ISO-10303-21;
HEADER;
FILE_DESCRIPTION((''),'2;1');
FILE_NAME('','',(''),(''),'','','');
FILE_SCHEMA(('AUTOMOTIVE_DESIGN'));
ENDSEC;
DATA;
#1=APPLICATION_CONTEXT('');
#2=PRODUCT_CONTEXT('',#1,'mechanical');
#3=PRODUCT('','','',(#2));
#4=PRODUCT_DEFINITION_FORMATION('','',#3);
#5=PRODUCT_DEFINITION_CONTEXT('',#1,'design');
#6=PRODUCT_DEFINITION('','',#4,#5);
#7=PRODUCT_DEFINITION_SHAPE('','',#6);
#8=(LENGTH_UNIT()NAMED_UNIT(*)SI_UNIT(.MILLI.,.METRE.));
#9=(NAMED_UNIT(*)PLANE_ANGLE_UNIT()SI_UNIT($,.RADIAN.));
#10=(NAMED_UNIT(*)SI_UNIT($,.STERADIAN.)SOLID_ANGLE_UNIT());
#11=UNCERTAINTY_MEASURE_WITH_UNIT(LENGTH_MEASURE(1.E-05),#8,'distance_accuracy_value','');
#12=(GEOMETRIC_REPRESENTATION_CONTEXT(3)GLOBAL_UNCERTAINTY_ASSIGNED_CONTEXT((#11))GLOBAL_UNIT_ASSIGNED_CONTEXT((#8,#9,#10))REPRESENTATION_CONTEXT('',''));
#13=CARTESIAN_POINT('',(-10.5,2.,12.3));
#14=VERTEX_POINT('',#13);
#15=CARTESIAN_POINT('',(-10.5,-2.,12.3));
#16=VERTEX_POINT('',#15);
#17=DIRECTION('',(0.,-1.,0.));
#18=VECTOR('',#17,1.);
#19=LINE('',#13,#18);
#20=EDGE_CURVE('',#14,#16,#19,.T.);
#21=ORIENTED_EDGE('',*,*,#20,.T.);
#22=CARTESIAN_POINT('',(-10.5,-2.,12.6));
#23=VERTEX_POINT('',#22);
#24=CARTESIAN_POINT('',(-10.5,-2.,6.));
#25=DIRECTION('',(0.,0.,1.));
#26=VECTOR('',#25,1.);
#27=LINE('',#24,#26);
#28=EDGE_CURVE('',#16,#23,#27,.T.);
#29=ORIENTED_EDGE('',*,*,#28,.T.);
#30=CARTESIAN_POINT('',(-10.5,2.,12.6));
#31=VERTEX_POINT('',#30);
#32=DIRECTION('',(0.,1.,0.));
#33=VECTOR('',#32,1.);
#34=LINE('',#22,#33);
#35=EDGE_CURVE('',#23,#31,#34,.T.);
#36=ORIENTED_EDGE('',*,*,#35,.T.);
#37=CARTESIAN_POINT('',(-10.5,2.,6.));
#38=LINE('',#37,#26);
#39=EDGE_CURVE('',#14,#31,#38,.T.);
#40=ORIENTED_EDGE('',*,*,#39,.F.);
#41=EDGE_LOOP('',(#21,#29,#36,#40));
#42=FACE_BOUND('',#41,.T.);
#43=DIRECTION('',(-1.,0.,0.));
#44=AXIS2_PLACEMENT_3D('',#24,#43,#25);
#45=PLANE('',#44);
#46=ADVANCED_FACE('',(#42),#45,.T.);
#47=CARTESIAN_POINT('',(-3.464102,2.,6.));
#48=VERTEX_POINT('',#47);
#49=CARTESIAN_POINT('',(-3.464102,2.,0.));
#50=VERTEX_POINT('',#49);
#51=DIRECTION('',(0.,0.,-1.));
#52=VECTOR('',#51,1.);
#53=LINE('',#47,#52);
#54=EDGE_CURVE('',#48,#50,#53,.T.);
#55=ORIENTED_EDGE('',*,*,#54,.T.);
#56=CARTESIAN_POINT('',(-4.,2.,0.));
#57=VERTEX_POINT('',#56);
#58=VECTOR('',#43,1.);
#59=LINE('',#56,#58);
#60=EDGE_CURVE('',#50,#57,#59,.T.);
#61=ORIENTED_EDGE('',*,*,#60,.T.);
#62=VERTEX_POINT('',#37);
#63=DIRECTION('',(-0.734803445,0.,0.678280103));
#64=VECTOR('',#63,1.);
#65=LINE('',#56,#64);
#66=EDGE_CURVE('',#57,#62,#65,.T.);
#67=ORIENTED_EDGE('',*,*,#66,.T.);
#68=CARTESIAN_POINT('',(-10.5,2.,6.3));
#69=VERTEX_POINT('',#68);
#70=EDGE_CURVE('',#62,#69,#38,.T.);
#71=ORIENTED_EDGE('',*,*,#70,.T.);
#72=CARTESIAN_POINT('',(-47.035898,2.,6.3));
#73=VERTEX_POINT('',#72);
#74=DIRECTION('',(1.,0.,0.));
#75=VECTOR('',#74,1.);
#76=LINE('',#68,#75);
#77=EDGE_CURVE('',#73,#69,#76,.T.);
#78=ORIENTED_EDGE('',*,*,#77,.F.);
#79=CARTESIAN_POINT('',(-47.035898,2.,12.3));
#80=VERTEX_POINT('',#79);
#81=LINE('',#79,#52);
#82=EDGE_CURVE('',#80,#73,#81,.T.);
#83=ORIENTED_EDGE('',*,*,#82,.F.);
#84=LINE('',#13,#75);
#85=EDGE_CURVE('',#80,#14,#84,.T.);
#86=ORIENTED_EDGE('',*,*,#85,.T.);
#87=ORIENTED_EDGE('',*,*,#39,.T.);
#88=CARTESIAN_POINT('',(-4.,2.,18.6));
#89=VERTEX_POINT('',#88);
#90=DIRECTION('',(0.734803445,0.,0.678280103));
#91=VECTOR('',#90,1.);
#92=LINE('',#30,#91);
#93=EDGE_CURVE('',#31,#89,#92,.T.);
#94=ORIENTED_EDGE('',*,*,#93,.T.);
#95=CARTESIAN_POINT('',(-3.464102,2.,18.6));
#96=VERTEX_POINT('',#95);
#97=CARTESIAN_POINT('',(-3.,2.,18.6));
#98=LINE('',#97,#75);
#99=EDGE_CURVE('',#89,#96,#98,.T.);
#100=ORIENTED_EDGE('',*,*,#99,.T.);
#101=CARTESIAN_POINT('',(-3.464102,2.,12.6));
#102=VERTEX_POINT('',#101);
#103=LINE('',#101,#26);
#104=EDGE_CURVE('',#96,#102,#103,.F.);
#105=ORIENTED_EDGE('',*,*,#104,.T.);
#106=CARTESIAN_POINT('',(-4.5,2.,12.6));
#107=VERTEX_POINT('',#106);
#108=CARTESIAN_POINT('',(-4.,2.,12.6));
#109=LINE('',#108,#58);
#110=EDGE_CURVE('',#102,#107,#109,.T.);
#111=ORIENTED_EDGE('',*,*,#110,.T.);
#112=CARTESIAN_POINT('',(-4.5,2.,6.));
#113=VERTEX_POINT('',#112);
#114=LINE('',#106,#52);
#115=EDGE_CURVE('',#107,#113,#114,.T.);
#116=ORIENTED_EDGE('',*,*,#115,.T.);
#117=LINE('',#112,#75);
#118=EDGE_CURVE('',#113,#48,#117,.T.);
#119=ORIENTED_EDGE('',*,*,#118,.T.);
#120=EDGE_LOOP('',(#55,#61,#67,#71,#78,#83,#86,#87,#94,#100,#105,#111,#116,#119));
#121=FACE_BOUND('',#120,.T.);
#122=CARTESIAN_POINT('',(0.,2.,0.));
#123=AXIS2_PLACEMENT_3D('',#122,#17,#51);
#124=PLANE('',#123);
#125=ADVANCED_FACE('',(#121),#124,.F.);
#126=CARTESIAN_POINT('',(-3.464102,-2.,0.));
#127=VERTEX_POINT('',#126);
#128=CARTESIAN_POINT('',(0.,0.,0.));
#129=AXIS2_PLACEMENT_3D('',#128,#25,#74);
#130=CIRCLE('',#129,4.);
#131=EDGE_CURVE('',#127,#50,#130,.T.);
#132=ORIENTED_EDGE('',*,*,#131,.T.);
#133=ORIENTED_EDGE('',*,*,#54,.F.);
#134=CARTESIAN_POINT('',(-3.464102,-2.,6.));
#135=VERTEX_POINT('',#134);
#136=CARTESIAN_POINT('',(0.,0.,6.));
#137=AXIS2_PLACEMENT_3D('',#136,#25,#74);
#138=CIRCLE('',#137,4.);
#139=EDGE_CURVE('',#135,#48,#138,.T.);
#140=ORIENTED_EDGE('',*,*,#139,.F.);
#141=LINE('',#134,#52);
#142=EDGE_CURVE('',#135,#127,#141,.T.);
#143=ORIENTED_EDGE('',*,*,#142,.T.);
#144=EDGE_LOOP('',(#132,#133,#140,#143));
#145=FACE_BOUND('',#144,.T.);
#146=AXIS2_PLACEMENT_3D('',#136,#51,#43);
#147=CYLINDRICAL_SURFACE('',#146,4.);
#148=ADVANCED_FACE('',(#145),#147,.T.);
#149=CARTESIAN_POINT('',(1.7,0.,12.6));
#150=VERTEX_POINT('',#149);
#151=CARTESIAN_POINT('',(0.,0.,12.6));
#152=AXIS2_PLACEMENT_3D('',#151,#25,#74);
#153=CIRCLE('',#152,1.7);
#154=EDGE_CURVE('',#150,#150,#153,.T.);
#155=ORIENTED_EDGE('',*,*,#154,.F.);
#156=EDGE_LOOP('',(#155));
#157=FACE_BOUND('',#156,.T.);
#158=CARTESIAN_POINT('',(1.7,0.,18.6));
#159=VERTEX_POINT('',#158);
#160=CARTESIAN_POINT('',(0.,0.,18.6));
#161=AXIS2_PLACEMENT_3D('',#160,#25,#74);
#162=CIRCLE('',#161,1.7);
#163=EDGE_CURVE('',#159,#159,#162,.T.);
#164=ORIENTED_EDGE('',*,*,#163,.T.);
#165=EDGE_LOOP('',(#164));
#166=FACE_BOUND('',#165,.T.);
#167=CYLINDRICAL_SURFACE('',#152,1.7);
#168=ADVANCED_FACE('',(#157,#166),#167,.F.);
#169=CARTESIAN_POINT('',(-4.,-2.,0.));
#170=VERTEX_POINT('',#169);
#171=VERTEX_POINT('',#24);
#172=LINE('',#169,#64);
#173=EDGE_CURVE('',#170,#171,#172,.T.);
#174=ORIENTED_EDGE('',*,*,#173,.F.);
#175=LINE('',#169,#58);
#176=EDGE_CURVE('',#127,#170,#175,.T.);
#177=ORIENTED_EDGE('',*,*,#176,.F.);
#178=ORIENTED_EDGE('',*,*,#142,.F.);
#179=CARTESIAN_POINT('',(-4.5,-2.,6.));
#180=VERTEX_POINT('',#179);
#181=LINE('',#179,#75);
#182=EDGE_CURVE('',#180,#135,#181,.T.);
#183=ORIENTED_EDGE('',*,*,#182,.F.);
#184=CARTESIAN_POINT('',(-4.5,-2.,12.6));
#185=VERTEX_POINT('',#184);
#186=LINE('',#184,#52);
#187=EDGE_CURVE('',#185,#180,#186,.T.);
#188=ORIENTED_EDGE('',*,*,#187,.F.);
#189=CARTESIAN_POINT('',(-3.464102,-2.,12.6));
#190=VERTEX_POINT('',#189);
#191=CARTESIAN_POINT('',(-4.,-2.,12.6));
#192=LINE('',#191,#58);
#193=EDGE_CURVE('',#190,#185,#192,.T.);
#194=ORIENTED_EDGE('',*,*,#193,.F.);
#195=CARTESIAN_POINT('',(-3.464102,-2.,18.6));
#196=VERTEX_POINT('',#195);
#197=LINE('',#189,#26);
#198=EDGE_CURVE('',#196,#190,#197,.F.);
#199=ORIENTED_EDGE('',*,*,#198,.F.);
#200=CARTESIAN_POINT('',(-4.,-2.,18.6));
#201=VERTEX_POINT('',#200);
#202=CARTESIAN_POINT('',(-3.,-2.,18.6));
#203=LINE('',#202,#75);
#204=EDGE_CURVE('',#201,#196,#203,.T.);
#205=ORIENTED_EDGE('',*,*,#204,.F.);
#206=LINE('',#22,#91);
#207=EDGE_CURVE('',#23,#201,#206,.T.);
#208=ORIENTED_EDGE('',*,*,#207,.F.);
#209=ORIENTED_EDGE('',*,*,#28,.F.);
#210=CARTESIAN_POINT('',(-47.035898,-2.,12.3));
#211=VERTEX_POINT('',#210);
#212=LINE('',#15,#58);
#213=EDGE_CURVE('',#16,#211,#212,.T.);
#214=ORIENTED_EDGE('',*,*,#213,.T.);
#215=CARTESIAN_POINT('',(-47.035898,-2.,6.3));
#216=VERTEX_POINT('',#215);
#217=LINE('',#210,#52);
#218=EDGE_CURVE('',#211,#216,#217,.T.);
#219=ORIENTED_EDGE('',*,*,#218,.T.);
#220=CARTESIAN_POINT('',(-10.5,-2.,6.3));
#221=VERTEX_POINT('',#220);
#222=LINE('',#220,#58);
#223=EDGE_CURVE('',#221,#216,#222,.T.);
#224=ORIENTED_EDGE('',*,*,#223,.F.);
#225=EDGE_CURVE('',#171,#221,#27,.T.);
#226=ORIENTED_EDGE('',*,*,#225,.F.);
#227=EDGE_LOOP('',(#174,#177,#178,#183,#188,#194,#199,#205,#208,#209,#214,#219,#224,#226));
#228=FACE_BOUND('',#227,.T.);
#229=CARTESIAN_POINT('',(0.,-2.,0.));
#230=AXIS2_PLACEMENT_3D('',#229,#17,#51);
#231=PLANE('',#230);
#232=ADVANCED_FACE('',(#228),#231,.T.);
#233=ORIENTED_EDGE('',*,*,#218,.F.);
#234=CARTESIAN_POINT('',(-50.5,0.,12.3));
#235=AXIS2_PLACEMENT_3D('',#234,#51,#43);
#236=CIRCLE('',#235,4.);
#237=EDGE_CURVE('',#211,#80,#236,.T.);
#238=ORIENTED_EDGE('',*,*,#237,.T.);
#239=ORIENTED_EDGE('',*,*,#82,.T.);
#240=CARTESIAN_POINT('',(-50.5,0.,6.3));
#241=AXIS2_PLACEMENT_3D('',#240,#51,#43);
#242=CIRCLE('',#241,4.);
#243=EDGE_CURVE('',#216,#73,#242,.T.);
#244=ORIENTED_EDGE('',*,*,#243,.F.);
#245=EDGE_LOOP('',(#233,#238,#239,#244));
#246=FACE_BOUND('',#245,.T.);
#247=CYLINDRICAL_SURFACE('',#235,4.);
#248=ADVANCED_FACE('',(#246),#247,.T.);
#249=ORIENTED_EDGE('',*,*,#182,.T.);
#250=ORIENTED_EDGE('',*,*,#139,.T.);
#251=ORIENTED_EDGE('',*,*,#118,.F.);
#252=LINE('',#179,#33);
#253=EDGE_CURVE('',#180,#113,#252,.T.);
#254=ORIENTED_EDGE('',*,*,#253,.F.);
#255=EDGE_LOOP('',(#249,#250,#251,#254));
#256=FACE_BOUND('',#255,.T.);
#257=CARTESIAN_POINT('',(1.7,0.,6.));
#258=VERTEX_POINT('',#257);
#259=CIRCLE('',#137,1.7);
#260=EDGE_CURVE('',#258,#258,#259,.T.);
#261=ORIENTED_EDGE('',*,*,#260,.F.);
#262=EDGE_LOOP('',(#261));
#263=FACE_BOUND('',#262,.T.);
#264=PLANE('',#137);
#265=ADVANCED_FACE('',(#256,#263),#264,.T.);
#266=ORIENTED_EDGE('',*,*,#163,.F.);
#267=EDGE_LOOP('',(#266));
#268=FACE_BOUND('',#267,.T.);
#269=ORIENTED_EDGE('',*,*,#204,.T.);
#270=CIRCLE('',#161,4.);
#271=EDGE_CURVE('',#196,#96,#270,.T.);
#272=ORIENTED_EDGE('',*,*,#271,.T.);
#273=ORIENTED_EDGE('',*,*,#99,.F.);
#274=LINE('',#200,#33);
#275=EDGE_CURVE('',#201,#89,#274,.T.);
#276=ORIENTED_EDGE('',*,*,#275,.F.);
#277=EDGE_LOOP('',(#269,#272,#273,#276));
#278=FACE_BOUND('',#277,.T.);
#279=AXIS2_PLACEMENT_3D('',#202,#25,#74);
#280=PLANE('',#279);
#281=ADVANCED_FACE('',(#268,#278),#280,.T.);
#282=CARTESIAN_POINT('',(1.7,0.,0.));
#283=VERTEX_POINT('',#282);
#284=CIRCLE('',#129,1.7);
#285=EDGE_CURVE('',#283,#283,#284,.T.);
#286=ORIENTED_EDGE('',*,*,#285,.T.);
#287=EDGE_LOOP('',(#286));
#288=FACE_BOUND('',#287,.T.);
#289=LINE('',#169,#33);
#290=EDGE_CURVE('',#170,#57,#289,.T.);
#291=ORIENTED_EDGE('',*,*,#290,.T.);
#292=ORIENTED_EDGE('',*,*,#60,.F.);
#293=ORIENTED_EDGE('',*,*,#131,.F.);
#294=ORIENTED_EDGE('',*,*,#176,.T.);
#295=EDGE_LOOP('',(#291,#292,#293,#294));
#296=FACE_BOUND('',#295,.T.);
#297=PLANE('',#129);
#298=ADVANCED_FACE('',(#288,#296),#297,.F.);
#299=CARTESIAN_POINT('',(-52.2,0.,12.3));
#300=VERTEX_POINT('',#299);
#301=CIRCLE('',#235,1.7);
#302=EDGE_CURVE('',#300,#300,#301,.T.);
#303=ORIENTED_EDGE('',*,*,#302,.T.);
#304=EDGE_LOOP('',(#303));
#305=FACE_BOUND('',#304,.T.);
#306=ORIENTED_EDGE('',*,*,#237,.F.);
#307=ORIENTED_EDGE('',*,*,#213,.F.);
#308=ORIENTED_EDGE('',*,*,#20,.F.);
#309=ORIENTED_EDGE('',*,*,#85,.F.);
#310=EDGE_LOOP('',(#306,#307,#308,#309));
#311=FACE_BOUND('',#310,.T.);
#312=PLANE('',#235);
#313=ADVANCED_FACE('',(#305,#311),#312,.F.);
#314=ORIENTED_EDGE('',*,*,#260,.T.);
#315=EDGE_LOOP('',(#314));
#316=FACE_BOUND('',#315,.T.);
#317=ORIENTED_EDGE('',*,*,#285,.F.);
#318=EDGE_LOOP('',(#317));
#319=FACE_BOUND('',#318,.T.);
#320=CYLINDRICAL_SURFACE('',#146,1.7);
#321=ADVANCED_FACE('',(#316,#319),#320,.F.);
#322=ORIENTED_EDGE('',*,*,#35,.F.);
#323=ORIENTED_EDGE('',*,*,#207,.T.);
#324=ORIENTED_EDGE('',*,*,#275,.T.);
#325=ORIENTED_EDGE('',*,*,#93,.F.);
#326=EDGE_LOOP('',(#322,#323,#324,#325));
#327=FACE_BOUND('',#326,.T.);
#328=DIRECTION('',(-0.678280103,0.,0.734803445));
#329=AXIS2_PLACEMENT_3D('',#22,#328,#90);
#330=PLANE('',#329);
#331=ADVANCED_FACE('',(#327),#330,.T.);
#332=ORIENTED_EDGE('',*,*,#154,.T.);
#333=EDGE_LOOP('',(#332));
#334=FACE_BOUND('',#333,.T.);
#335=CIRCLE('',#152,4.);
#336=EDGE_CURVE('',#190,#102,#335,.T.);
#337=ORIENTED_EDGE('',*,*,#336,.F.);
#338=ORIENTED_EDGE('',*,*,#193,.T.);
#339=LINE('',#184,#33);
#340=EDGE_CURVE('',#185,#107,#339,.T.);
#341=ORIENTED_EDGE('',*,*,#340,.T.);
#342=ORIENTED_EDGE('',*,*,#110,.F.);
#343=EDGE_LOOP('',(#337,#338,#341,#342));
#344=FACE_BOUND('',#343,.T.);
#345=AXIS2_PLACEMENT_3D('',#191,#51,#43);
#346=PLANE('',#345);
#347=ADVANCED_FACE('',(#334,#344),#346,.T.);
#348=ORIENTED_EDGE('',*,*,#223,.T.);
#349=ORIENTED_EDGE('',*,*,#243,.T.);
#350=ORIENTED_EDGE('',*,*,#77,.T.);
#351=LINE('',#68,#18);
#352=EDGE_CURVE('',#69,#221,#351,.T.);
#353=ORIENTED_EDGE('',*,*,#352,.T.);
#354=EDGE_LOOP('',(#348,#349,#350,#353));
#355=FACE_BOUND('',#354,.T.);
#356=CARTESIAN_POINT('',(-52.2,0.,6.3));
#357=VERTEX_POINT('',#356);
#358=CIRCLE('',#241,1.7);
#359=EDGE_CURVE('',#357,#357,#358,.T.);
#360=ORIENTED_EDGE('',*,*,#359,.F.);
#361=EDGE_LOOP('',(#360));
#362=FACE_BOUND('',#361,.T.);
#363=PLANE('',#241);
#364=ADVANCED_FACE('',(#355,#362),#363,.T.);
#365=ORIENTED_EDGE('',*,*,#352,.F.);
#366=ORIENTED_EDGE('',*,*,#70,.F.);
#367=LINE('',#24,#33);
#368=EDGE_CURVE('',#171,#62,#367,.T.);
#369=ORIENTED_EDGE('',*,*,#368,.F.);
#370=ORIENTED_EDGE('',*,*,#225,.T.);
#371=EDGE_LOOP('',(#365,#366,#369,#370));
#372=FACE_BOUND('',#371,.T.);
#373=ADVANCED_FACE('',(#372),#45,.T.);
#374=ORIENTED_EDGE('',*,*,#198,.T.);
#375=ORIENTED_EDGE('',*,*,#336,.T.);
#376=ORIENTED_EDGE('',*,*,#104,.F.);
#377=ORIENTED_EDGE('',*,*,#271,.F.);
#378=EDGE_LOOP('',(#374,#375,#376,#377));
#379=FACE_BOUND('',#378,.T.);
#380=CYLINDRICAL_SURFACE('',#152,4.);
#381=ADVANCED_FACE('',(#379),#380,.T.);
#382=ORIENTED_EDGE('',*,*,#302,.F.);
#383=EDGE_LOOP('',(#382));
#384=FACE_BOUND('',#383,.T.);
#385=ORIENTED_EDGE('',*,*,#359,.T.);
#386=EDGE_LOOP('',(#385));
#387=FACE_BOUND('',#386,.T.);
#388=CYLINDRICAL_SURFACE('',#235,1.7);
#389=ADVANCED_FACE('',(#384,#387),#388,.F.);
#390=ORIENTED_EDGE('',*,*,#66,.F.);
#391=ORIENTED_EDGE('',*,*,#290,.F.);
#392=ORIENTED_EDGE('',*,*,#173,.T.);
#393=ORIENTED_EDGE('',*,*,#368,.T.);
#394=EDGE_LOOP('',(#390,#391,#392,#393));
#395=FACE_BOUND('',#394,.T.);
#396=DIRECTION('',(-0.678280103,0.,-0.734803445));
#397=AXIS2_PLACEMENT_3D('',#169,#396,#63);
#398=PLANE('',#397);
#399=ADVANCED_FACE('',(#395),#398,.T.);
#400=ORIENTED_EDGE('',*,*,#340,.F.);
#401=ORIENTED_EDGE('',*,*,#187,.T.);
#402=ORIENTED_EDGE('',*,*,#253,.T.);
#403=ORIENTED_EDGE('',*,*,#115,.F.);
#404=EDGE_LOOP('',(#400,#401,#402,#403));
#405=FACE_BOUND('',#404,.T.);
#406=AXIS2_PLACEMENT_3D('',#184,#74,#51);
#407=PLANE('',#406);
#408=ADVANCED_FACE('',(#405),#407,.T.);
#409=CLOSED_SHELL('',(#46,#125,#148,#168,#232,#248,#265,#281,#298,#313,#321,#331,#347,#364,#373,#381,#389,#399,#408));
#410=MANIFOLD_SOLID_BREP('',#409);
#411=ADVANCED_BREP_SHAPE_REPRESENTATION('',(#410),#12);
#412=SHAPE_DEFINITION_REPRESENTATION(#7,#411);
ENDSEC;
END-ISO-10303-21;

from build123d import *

# Parameters (mm, degrees)
SKETCH_1_R           = 4
SKETCH_1_R_2         = 1.7
EXTRUDE_1_DEPTH      = 6
EXTRUDE_2_DEPTH      = 2
EXTRUDE_2_DEPTH_BACK = 2
EXTRUDE_3_DEPTH      = 3
EXTRUDE_3_DEPTH_BACK = 3
SKETCH_3_R           = 1.7


with BuildPart() as part:
    # Эскиз1 → Бобышка-Вытянуть1 (new body)
    with BuildSketch(Plane.XY):
        Circle(SKETCH_1_R)
        Circle(SKETCH_1_R_2, mode=Mode.SUBTRACT)
    extrude_1 = extrude(amount=EXTRUDE_1_DEPTH)

    # Эскиз2 → Бобышка-Вытянуть2 (add, two sides: drawn at the far end of the back side and taken through both)
    with BuildSketch(Plane(origin=(0, 0, 0), x_dir=(1, 0, 0), z_dir=(0, 1, 0)).offset(-EXTRUDE_2_DEPTH_BACK)):
        Polygon((-4, 0), (-10.5, -6), (-10.5, -12.6), (-4, -18.6), (-3, -18.6), (-3, -12.6), (-4, -12.6), (-4.5, -12.6), (-4.5, -6), (-4, -6), (-3, -6), (-3, 0), align=None)
    extrude(amount=EXTRUDE_2_DEPTH + EXTRUDE_2_DEPTH_BACK)

    # Зеркальное отражение1: Бобышка-Вытянуть1 across plane
    add(extrude_1.mirror(Plane(origin=(0, 0, 9.3), x_dir=(1, 0, 0), z_dir=(0, 0, -1))))

    # Эскиз3 → Бобышка-Вытянуть3 (add, two sides: drawn at the far end of the back side and taken through both)
    with BuildSketch(Plane(origin=(0, 0, 9.3), x_dir=(-1, 0, 0), z_dir=(0, 0, -1)).offset(-EXTRUDE_3_DEPTH_BACK)):
        with BuildLine():
            Line((10.5, 2), (47.035898385, 2))
            ThreePointArc((47.035898385, 2), (54.5, 0), (47.035898385, -2))
            Line((47.035898385, -2), (10.5, -2))
            Line((10.5, -2), (10.5, 2))
        make_face()
        with Locations((50.5, 0)):
            Circle(SKETCH_3_R, mode=Mode.SUBTRACT)
    extrude(amount=EXTRUDE_3_DEPTH + EXTRUDE_3_DEPTH_BACK)


solid = part.part
